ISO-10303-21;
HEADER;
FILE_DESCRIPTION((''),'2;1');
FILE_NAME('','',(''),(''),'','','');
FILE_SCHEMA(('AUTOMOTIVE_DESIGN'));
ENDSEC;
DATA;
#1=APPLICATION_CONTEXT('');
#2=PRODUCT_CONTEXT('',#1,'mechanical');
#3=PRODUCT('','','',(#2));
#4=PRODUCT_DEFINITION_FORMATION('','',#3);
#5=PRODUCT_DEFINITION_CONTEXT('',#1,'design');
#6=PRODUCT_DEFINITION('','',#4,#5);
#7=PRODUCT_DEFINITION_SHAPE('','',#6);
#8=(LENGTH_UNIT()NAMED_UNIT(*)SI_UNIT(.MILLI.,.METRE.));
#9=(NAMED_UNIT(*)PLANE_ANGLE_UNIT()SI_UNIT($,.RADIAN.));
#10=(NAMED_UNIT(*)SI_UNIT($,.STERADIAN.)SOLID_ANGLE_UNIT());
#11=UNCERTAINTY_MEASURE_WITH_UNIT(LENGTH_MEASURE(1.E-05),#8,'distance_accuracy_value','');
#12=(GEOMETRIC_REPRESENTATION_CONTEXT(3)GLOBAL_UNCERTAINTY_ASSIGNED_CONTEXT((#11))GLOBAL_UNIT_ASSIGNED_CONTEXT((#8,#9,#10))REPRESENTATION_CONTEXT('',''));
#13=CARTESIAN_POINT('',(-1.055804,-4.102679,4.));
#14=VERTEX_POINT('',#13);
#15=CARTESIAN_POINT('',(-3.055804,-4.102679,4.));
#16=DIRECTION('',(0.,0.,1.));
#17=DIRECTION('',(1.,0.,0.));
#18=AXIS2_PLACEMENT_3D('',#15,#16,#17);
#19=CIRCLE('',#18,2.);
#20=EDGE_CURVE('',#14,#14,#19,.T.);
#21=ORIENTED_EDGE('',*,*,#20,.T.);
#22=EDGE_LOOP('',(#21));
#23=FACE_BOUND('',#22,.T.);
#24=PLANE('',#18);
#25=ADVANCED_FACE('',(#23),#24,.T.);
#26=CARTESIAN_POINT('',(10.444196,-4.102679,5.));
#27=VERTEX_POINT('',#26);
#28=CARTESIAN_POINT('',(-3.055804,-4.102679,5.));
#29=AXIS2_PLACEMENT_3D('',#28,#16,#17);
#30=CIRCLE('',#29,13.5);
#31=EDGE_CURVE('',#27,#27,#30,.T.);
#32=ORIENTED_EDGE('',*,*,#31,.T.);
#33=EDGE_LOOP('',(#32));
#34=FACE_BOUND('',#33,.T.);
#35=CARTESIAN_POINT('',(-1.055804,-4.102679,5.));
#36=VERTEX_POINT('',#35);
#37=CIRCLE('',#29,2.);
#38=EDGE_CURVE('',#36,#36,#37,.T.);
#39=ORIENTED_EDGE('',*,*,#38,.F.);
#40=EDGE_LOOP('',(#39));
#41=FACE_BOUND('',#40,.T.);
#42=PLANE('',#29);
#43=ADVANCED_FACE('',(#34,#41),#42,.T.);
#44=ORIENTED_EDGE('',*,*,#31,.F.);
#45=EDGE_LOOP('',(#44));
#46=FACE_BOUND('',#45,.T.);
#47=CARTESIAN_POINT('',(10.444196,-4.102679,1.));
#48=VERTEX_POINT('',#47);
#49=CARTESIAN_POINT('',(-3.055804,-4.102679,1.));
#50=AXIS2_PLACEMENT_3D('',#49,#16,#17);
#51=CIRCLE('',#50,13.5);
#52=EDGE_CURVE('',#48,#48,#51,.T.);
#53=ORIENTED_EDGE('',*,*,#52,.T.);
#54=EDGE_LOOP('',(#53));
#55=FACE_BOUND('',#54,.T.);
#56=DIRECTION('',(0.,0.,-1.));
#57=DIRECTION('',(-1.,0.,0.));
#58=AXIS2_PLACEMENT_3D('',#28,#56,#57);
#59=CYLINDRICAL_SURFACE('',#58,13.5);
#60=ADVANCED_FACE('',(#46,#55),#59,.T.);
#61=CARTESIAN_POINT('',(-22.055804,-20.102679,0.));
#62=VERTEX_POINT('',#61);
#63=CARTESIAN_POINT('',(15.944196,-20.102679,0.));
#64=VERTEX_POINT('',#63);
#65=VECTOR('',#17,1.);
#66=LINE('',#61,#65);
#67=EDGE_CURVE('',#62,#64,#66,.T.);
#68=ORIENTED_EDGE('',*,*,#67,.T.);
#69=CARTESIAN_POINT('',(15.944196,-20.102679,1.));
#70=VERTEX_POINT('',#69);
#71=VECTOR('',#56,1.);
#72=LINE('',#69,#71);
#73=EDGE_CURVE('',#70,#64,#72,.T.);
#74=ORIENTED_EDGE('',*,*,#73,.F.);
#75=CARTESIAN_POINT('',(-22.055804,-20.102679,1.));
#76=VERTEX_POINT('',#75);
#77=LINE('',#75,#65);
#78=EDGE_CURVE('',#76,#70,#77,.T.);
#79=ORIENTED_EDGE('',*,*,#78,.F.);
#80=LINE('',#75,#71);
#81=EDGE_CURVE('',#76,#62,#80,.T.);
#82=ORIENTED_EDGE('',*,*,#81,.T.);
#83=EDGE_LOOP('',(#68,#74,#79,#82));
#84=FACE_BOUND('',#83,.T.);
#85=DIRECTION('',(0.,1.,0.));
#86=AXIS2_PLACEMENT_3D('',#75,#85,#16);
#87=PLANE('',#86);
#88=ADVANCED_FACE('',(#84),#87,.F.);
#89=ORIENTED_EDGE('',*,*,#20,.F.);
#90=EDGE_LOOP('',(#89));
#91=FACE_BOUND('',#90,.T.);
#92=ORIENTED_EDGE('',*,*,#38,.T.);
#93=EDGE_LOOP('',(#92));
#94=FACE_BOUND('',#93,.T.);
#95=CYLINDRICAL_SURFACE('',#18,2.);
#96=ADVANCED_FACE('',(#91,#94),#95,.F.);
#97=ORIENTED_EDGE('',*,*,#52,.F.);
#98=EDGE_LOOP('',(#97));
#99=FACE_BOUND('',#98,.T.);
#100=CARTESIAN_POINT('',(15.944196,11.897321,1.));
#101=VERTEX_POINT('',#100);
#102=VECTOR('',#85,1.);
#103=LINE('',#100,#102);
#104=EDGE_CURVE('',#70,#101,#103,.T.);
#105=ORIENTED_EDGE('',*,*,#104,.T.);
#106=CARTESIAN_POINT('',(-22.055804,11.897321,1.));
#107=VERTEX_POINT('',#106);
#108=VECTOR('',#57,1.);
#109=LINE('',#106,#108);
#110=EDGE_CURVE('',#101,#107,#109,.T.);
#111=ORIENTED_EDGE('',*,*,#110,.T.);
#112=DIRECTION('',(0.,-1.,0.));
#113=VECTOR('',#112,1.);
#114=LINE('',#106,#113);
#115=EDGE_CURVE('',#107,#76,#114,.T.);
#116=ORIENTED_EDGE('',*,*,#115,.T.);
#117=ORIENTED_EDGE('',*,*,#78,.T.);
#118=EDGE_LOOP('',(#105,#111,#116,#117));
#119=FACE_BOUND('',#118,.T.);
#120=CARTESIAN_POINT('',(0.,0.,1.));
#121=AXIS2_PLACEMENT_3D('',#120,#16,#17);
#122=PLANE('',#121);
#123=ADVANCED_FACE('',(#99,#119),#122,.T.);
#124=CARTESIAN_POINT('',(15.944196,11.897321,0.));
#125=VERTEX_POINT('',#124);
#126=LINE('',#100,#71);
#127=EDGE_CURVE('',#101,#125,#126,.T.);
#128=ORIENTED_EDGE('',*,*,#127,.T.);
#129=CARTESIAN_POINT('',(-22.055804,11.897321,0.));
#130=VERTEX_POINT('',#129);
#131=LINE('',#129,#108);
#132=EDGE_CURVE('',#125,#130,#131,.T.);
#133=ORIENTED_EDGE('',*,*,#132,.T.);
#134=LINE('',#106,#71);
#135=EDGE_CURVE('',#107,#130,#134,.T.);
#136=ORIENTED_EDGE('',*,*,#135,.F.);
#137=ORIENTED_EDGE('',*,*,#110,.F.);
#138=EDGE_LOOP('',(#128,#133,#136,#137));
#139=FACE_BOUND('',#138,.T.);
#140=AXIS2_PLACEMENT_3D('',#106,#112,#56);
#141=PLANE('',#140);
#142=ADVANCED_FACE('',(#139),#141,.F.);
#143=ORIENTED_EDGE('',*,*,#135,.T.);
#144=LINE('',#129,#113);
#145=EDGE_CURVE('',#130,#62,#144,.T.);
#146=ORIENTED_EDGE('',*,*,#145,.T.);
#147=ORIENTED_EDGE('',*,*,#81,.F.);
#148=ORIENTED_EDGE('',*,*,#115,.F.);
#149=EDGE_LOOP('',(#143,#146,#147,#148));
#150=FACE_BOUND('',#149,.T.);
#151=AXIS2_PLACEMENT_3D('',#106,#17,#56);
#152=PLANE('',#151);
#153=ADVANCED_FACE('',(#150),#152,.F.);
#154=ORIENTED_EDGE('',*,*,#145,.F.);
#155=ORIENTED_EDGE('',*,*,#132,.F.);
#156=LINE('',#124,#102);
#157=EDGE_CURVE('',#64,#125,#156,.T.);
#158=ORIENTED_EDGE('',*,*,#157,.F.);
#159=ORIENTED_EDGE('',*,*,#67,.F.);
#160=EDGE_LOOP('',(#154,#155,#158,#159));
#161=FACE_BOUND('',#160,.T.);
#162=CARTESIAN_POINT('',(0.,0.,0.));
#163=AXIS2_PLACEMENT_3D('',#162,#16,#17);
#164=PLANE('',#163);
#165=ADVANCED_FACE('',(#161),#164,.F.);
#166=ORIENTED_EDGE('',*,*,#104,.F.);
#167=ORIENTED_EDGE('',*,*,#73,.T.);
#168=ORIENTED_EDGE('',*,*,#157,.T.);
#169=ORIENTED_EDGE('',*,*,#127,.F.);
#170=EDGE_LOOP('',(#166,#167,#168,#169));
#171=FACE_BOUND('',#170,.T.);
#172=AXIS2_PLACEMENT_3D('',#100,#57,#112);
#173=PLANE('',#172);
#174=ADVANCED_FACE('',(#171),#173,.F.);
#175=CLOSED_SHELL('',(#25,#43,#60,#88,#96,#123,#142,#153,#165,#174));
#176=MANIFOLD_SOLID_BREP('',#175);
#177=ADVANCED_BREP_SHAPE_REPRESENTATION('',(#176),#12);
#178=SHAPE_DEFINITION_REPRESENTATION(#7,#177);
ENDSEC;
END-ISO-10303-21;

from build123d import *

# Parameters (mm, degrees)
SKETCH1_W           = 38
SKETCH1_H           = 32
BOSS_EXTRUDE1_DEPTH = 1
SKETCH2_R           = 13.5
BOSS_EXTRUDE2_DEPTH = 4
SKETCH3_R           = 2
CUT_EXTRUDE1_DEPTH  = 1


with BuildPart() as part:
    # Sketch1 → Boss-Extrude1 (new body)
    with BuildSketch(Plane.XY):
        with Locations((-3.055803571, -4.102678571)):
            Rectangle(SKETCH1_W, SKETCH1_H)
    extrude(amount=BOSS_EXTRUDE1_DEPTH)

    # Sketch2 → Boss-Extrude2 (add)
    with BuildSketch(Plane.XY.offset(1)):
        with Locations((-3.055803571, -4.102678571)):
            Circle(SKETCH2_R)
    extrude(amount=BOSS_EXTRUDE2_DEPTH)

    # Sketch3 → Cut-Extrude1 (cut)
    with BuildSketch(Plane.XY.offset(5)):
        with Locations((-3.055803571, -4.102678571)):
            Circle(SKETCH3_R)
    extrude(amount=-CUT_EXTRUDE1_DEPTH, mode=Mode.SUBTRACT)


solid = part.part
